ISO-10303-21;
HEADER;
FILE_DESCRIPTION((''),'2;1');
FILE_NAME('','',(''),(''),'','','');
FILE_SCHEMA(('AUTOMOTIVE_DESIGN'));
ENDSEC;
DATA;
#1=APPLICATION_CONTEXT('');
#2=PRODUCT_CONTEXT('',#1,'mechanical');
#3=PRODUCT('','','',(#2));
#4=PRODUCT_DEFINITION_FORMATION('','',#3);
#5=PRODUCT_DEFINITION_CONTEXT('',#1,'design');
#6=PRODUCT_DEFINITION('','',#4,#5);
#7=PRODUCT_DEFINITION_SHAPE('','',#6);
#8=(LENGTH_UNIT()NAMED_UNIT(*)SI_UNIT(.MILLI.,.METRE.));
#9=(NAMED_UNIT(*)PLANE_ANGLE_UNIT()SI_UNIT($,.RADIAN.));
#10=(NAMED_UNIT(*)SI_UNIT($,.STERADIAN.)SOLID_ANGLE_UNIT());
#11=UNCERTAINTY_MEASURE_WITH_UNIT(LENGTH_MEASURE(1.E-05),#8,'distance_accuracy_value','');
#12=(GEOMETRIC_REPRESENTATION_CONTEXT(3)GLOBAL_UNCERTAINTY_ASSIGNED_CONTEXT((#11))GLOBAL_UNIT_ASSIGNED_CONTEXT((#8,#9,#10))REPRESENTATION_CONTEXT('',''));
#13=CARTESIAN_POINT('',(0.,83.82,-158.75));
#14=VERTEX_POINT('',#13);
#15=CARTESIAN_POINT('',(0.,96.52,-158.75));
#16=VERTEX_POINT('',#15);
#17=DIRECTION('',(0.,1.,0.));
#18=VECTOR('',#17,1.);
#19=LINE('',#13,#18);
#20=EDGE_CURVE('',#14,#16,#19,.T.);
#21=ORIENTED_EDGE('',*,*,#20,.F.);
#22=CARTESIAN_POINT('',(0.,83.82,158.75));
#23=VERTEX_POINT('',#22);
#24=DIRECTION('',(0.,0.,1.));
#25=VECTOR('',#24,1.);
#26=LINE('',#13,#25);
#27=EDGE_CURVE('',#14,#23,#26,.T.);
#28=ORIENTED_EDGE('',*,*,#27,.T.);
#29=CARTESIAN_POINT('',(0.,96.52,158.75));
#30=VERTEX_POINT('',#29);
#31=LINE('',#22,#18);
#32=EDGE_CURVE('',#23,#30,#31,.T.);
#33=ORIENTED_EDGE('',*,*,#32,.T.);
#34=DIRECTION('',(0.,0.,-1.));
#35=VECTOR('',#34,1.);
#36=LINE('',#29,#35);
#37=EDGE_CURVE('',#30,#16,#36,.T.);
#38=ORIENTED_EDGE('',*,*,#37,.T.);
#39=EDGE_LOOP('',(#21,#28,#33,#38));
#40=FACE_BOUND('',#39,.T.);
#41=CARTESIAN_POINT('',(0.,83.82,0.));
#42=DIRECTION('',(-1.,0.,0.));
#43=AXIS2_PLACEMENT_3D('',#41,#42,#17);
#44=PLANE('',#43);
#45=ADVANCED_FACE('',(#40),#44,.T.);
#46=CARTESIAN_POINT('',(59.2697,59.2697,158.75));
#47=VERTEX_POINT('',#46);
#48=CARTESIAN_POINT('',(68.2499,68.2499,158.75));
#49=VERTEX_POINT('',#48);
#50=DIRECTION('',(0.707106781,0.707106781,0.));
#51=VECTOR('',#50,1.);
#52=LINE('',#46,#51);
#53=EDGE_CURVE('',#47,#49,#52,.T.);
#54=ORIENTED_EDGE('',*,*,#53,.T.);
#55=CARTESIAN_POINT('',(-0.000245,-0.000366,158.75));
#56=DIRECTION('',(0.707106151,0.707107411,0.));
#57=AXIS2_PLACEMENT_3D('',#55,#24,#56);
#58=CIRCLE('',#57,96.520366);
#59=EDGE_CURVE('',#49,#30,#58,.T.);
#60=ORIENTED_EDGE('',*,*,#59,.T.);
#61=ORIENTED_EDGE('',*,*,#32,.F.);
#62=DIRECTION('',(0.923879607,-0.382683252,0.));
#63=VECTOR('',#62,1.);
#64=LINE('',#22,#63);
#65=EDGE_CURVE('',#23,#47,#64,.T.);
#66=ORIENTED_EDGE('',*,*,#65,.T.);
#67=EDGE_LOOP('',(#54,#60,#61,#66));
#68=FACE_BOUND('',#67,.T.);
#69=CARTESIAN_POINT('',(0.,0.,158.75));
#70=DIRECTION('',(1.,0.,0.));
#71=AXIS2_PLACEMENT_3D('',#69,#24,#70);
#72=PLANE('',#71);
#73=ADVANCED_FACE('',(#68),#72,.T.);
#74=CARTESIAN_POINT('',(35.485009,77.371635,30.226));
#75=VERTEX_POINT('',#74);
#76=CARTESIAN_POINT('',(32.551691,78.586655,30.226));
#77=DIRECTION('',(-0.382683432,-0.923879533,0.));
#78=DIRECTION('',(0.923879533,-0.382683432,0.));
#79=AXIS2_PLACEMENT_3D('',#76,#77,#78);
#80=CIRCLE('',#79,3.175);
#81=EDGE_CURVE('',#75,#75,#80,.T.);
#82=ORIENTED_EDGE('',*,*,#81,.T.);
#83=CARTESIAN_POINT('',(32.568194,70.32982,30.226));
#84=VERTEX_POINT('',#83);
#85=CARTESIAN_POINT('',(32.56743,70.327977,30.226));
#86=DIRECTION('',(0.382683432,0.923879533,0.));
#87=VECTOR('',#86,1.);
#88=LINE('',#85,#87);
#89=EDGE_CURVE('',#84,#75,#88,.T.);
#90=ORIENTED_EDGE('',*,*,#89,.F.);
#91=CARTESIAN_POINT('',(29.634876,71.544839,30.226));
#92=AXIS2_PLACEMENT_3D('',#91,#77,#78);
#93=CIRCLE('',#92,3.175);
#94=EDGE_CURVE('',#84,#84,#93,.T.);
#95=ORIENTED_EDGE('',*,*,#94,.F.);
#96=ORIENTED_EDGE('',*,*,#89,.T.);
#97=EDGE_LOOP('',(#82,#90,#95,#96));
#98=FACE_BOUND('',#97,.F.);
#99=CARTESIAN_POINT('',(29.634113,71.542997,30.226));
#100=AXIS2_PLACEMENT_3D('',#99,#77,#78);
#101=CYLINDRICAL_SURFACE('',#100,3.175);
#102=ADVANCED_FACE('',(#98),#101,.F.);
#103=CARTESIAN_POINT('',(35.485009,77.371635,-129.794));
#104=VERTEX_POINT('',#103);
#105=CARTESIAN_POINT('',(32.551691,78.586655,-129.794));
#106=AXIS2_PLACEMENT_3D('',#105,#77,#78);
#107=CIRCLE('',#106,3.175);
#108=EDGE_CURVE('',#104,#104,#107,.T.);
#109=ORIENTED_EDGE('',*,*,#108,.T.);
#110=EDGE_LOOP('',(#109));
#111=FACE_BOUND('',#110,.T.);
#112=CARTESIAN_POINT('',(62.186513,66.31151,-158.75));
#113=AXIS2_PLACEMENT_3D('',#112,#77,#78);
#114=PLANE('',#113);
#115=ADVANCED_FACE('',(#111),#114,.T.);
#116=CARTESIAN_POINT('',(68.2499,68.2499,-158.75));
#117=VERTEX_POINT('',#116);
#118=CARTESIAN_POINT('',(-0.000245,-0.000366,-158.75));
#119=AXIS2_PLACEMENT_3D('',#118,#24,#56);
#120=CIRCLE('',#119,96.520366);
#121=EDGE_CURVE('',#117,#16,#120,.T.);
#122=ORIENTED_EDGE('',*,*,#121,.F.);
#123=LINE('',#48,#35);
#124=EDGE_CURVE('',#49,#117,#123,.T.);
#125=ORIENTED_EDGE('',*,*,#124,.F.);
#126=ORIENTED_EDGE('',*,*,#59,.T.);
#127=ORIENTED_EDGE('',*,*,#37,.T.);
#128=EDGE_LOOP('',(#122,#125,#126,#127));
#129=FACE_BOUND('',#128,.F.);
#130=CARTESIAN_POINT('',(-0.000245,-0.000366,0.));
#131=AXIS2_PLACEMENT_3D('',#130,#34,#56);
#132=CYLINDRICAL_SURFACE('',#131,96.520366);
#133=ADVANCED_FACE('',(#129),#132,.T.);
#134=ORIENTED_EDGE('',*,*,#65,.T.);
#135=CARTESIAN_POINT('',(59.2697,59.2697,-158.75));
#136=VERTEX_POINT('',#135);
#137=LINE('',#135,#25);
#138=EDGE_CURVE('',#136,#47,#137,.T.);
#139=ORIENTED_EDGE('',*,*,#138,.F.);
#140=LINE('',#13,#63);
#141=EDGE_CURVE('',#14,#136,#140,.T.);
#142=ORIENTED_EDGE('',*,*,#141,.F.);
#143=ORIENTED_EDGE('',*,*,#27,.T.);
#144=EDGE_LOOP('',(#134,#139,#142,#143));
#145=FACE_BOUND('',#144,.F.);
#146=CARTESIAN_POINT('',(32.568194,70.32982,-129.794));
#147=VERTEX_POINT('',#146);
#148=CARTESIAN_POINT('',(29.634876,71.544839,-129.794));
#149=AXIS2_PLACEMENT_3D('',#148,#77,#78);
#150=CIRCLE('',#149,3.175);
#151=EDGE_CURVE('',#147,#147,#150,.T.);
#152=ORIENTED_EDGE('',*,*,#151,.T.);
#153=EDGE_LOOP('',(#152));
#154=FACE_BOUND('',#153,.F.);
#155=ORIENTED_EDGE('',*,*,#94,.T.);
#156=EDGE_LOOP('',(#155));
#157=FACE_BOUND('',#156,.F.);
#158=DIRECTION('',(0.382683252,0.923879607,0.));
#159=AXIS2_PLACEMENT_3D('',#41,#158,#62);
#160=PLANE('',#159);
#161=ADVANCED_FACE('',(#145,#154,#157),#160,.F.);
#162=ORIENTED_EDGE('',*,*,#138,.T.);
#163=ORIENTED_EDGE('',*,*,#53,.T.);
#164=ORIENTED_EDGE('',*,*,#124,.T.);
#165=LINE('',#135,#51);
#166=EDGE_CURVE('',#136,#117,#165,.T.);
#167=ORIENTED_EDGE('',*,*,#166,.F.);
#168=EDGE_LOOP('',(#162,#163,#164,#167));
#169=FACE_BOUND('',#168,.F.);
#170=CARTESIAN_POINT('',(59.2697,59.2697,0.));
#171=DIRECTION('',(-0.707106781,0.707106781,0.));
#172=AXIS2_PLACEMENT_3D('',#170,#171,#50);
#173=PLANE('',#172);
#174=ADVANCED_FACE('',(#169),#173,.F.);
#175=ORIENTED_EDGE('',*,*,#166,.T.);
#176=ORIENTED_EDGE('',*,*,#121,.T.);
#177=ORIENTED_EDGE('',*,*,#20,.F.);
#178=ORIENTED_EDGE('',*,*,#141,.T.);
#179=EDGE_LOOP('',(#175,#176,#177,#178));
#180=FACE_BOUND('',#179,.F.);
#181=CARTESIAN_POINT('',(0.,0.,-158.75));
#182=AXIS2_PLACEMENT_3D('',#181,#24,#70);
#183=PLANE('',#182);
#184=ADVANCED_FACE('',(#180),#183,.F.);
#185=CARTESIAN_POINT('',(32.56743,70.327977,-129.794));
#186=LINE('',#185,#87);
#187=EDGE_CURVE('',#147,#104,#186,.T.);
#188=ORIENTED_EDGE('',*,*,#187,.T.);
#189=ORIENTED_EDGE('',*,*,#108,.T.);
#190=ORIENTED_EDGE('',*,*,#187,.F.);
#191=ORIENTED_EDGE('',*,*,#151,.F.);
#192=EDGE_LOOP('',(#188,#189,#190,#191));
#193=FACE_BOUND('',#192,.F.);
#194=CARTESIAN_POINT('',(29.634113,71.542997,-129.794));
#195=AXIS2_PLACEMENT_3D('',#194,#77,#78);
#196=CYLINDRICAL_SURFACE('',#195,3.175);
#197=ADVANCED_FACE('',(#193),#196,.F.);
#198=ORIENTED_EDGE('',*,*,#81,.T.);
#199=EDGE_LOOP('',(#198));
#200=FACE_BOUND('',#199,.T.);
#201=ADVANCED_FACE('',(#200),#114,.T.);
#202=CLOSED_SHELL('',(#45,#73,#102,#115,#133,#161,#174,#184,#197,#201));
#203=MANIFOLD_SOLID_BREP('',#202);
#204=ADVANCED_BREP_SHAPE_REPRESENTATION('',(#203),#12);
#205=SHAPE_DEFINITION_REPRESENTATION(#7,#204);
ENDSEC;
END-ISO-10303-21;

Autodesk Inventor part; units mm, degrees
ref_plane "YZ Plane" through (0, 0, 0) normal (1, 0, 0) x (0, 1, 0)
ref_plane "XZ Plane" through (0, 0, 0) normal (0, 1, 0) x (-1, 0, 0)
ref_plane "XY Plane" through (0, 0, 0) normal (0, 0, 1) x (1, 0, 0)
sketch "Sketch1" plane through (0, 0, 0) normal (0, 0, 1) x (1, 0, 0)
  line L0 (0, 0) -> (96.52, 0) construction
  line L1 (0, 83.82) -> (0, 96.52)
  line L2 (59.2697, 59.2697) -> (68.2499, 68.2499)
  line L3 (68.2499, 68.2499) -> (59.2697, 59.2697)
  line L4 (0, 83.82) -> (59.2697, 59.2697)
  arc A0 (68.2499, 68.2499) -> (0, 96.52) centre (0, 0) ccw
  dimension "d11" = 96.52
extrude "Extrusion1" add sketch "Sketch1" along normal mid plane 317.5
sketch "Sketch2" plane through (59.2697, 59.2697, -158.75) normal (-0.3827, -0.9239, 0) x (0.9239, -0.3827, 0)
  circle A0 centre (-32.0765, 28.956) radius 3.175
  line L0 (0, 0) -> (-64.1531, 0) projected
  circle A1 centre (-32.0765, 188.976) radius 3.175
  point P0 (-32.0765, 158.75)
  dimension "d5" = 6.35
  dimension "d6" = 28.956
  dimension "d7" = 6.35
  dimension "d8" = 160.02
extrude "Extrusion2" cut sketch "Sketch2" against normal blind 7.62
properties part number "Foot1"
